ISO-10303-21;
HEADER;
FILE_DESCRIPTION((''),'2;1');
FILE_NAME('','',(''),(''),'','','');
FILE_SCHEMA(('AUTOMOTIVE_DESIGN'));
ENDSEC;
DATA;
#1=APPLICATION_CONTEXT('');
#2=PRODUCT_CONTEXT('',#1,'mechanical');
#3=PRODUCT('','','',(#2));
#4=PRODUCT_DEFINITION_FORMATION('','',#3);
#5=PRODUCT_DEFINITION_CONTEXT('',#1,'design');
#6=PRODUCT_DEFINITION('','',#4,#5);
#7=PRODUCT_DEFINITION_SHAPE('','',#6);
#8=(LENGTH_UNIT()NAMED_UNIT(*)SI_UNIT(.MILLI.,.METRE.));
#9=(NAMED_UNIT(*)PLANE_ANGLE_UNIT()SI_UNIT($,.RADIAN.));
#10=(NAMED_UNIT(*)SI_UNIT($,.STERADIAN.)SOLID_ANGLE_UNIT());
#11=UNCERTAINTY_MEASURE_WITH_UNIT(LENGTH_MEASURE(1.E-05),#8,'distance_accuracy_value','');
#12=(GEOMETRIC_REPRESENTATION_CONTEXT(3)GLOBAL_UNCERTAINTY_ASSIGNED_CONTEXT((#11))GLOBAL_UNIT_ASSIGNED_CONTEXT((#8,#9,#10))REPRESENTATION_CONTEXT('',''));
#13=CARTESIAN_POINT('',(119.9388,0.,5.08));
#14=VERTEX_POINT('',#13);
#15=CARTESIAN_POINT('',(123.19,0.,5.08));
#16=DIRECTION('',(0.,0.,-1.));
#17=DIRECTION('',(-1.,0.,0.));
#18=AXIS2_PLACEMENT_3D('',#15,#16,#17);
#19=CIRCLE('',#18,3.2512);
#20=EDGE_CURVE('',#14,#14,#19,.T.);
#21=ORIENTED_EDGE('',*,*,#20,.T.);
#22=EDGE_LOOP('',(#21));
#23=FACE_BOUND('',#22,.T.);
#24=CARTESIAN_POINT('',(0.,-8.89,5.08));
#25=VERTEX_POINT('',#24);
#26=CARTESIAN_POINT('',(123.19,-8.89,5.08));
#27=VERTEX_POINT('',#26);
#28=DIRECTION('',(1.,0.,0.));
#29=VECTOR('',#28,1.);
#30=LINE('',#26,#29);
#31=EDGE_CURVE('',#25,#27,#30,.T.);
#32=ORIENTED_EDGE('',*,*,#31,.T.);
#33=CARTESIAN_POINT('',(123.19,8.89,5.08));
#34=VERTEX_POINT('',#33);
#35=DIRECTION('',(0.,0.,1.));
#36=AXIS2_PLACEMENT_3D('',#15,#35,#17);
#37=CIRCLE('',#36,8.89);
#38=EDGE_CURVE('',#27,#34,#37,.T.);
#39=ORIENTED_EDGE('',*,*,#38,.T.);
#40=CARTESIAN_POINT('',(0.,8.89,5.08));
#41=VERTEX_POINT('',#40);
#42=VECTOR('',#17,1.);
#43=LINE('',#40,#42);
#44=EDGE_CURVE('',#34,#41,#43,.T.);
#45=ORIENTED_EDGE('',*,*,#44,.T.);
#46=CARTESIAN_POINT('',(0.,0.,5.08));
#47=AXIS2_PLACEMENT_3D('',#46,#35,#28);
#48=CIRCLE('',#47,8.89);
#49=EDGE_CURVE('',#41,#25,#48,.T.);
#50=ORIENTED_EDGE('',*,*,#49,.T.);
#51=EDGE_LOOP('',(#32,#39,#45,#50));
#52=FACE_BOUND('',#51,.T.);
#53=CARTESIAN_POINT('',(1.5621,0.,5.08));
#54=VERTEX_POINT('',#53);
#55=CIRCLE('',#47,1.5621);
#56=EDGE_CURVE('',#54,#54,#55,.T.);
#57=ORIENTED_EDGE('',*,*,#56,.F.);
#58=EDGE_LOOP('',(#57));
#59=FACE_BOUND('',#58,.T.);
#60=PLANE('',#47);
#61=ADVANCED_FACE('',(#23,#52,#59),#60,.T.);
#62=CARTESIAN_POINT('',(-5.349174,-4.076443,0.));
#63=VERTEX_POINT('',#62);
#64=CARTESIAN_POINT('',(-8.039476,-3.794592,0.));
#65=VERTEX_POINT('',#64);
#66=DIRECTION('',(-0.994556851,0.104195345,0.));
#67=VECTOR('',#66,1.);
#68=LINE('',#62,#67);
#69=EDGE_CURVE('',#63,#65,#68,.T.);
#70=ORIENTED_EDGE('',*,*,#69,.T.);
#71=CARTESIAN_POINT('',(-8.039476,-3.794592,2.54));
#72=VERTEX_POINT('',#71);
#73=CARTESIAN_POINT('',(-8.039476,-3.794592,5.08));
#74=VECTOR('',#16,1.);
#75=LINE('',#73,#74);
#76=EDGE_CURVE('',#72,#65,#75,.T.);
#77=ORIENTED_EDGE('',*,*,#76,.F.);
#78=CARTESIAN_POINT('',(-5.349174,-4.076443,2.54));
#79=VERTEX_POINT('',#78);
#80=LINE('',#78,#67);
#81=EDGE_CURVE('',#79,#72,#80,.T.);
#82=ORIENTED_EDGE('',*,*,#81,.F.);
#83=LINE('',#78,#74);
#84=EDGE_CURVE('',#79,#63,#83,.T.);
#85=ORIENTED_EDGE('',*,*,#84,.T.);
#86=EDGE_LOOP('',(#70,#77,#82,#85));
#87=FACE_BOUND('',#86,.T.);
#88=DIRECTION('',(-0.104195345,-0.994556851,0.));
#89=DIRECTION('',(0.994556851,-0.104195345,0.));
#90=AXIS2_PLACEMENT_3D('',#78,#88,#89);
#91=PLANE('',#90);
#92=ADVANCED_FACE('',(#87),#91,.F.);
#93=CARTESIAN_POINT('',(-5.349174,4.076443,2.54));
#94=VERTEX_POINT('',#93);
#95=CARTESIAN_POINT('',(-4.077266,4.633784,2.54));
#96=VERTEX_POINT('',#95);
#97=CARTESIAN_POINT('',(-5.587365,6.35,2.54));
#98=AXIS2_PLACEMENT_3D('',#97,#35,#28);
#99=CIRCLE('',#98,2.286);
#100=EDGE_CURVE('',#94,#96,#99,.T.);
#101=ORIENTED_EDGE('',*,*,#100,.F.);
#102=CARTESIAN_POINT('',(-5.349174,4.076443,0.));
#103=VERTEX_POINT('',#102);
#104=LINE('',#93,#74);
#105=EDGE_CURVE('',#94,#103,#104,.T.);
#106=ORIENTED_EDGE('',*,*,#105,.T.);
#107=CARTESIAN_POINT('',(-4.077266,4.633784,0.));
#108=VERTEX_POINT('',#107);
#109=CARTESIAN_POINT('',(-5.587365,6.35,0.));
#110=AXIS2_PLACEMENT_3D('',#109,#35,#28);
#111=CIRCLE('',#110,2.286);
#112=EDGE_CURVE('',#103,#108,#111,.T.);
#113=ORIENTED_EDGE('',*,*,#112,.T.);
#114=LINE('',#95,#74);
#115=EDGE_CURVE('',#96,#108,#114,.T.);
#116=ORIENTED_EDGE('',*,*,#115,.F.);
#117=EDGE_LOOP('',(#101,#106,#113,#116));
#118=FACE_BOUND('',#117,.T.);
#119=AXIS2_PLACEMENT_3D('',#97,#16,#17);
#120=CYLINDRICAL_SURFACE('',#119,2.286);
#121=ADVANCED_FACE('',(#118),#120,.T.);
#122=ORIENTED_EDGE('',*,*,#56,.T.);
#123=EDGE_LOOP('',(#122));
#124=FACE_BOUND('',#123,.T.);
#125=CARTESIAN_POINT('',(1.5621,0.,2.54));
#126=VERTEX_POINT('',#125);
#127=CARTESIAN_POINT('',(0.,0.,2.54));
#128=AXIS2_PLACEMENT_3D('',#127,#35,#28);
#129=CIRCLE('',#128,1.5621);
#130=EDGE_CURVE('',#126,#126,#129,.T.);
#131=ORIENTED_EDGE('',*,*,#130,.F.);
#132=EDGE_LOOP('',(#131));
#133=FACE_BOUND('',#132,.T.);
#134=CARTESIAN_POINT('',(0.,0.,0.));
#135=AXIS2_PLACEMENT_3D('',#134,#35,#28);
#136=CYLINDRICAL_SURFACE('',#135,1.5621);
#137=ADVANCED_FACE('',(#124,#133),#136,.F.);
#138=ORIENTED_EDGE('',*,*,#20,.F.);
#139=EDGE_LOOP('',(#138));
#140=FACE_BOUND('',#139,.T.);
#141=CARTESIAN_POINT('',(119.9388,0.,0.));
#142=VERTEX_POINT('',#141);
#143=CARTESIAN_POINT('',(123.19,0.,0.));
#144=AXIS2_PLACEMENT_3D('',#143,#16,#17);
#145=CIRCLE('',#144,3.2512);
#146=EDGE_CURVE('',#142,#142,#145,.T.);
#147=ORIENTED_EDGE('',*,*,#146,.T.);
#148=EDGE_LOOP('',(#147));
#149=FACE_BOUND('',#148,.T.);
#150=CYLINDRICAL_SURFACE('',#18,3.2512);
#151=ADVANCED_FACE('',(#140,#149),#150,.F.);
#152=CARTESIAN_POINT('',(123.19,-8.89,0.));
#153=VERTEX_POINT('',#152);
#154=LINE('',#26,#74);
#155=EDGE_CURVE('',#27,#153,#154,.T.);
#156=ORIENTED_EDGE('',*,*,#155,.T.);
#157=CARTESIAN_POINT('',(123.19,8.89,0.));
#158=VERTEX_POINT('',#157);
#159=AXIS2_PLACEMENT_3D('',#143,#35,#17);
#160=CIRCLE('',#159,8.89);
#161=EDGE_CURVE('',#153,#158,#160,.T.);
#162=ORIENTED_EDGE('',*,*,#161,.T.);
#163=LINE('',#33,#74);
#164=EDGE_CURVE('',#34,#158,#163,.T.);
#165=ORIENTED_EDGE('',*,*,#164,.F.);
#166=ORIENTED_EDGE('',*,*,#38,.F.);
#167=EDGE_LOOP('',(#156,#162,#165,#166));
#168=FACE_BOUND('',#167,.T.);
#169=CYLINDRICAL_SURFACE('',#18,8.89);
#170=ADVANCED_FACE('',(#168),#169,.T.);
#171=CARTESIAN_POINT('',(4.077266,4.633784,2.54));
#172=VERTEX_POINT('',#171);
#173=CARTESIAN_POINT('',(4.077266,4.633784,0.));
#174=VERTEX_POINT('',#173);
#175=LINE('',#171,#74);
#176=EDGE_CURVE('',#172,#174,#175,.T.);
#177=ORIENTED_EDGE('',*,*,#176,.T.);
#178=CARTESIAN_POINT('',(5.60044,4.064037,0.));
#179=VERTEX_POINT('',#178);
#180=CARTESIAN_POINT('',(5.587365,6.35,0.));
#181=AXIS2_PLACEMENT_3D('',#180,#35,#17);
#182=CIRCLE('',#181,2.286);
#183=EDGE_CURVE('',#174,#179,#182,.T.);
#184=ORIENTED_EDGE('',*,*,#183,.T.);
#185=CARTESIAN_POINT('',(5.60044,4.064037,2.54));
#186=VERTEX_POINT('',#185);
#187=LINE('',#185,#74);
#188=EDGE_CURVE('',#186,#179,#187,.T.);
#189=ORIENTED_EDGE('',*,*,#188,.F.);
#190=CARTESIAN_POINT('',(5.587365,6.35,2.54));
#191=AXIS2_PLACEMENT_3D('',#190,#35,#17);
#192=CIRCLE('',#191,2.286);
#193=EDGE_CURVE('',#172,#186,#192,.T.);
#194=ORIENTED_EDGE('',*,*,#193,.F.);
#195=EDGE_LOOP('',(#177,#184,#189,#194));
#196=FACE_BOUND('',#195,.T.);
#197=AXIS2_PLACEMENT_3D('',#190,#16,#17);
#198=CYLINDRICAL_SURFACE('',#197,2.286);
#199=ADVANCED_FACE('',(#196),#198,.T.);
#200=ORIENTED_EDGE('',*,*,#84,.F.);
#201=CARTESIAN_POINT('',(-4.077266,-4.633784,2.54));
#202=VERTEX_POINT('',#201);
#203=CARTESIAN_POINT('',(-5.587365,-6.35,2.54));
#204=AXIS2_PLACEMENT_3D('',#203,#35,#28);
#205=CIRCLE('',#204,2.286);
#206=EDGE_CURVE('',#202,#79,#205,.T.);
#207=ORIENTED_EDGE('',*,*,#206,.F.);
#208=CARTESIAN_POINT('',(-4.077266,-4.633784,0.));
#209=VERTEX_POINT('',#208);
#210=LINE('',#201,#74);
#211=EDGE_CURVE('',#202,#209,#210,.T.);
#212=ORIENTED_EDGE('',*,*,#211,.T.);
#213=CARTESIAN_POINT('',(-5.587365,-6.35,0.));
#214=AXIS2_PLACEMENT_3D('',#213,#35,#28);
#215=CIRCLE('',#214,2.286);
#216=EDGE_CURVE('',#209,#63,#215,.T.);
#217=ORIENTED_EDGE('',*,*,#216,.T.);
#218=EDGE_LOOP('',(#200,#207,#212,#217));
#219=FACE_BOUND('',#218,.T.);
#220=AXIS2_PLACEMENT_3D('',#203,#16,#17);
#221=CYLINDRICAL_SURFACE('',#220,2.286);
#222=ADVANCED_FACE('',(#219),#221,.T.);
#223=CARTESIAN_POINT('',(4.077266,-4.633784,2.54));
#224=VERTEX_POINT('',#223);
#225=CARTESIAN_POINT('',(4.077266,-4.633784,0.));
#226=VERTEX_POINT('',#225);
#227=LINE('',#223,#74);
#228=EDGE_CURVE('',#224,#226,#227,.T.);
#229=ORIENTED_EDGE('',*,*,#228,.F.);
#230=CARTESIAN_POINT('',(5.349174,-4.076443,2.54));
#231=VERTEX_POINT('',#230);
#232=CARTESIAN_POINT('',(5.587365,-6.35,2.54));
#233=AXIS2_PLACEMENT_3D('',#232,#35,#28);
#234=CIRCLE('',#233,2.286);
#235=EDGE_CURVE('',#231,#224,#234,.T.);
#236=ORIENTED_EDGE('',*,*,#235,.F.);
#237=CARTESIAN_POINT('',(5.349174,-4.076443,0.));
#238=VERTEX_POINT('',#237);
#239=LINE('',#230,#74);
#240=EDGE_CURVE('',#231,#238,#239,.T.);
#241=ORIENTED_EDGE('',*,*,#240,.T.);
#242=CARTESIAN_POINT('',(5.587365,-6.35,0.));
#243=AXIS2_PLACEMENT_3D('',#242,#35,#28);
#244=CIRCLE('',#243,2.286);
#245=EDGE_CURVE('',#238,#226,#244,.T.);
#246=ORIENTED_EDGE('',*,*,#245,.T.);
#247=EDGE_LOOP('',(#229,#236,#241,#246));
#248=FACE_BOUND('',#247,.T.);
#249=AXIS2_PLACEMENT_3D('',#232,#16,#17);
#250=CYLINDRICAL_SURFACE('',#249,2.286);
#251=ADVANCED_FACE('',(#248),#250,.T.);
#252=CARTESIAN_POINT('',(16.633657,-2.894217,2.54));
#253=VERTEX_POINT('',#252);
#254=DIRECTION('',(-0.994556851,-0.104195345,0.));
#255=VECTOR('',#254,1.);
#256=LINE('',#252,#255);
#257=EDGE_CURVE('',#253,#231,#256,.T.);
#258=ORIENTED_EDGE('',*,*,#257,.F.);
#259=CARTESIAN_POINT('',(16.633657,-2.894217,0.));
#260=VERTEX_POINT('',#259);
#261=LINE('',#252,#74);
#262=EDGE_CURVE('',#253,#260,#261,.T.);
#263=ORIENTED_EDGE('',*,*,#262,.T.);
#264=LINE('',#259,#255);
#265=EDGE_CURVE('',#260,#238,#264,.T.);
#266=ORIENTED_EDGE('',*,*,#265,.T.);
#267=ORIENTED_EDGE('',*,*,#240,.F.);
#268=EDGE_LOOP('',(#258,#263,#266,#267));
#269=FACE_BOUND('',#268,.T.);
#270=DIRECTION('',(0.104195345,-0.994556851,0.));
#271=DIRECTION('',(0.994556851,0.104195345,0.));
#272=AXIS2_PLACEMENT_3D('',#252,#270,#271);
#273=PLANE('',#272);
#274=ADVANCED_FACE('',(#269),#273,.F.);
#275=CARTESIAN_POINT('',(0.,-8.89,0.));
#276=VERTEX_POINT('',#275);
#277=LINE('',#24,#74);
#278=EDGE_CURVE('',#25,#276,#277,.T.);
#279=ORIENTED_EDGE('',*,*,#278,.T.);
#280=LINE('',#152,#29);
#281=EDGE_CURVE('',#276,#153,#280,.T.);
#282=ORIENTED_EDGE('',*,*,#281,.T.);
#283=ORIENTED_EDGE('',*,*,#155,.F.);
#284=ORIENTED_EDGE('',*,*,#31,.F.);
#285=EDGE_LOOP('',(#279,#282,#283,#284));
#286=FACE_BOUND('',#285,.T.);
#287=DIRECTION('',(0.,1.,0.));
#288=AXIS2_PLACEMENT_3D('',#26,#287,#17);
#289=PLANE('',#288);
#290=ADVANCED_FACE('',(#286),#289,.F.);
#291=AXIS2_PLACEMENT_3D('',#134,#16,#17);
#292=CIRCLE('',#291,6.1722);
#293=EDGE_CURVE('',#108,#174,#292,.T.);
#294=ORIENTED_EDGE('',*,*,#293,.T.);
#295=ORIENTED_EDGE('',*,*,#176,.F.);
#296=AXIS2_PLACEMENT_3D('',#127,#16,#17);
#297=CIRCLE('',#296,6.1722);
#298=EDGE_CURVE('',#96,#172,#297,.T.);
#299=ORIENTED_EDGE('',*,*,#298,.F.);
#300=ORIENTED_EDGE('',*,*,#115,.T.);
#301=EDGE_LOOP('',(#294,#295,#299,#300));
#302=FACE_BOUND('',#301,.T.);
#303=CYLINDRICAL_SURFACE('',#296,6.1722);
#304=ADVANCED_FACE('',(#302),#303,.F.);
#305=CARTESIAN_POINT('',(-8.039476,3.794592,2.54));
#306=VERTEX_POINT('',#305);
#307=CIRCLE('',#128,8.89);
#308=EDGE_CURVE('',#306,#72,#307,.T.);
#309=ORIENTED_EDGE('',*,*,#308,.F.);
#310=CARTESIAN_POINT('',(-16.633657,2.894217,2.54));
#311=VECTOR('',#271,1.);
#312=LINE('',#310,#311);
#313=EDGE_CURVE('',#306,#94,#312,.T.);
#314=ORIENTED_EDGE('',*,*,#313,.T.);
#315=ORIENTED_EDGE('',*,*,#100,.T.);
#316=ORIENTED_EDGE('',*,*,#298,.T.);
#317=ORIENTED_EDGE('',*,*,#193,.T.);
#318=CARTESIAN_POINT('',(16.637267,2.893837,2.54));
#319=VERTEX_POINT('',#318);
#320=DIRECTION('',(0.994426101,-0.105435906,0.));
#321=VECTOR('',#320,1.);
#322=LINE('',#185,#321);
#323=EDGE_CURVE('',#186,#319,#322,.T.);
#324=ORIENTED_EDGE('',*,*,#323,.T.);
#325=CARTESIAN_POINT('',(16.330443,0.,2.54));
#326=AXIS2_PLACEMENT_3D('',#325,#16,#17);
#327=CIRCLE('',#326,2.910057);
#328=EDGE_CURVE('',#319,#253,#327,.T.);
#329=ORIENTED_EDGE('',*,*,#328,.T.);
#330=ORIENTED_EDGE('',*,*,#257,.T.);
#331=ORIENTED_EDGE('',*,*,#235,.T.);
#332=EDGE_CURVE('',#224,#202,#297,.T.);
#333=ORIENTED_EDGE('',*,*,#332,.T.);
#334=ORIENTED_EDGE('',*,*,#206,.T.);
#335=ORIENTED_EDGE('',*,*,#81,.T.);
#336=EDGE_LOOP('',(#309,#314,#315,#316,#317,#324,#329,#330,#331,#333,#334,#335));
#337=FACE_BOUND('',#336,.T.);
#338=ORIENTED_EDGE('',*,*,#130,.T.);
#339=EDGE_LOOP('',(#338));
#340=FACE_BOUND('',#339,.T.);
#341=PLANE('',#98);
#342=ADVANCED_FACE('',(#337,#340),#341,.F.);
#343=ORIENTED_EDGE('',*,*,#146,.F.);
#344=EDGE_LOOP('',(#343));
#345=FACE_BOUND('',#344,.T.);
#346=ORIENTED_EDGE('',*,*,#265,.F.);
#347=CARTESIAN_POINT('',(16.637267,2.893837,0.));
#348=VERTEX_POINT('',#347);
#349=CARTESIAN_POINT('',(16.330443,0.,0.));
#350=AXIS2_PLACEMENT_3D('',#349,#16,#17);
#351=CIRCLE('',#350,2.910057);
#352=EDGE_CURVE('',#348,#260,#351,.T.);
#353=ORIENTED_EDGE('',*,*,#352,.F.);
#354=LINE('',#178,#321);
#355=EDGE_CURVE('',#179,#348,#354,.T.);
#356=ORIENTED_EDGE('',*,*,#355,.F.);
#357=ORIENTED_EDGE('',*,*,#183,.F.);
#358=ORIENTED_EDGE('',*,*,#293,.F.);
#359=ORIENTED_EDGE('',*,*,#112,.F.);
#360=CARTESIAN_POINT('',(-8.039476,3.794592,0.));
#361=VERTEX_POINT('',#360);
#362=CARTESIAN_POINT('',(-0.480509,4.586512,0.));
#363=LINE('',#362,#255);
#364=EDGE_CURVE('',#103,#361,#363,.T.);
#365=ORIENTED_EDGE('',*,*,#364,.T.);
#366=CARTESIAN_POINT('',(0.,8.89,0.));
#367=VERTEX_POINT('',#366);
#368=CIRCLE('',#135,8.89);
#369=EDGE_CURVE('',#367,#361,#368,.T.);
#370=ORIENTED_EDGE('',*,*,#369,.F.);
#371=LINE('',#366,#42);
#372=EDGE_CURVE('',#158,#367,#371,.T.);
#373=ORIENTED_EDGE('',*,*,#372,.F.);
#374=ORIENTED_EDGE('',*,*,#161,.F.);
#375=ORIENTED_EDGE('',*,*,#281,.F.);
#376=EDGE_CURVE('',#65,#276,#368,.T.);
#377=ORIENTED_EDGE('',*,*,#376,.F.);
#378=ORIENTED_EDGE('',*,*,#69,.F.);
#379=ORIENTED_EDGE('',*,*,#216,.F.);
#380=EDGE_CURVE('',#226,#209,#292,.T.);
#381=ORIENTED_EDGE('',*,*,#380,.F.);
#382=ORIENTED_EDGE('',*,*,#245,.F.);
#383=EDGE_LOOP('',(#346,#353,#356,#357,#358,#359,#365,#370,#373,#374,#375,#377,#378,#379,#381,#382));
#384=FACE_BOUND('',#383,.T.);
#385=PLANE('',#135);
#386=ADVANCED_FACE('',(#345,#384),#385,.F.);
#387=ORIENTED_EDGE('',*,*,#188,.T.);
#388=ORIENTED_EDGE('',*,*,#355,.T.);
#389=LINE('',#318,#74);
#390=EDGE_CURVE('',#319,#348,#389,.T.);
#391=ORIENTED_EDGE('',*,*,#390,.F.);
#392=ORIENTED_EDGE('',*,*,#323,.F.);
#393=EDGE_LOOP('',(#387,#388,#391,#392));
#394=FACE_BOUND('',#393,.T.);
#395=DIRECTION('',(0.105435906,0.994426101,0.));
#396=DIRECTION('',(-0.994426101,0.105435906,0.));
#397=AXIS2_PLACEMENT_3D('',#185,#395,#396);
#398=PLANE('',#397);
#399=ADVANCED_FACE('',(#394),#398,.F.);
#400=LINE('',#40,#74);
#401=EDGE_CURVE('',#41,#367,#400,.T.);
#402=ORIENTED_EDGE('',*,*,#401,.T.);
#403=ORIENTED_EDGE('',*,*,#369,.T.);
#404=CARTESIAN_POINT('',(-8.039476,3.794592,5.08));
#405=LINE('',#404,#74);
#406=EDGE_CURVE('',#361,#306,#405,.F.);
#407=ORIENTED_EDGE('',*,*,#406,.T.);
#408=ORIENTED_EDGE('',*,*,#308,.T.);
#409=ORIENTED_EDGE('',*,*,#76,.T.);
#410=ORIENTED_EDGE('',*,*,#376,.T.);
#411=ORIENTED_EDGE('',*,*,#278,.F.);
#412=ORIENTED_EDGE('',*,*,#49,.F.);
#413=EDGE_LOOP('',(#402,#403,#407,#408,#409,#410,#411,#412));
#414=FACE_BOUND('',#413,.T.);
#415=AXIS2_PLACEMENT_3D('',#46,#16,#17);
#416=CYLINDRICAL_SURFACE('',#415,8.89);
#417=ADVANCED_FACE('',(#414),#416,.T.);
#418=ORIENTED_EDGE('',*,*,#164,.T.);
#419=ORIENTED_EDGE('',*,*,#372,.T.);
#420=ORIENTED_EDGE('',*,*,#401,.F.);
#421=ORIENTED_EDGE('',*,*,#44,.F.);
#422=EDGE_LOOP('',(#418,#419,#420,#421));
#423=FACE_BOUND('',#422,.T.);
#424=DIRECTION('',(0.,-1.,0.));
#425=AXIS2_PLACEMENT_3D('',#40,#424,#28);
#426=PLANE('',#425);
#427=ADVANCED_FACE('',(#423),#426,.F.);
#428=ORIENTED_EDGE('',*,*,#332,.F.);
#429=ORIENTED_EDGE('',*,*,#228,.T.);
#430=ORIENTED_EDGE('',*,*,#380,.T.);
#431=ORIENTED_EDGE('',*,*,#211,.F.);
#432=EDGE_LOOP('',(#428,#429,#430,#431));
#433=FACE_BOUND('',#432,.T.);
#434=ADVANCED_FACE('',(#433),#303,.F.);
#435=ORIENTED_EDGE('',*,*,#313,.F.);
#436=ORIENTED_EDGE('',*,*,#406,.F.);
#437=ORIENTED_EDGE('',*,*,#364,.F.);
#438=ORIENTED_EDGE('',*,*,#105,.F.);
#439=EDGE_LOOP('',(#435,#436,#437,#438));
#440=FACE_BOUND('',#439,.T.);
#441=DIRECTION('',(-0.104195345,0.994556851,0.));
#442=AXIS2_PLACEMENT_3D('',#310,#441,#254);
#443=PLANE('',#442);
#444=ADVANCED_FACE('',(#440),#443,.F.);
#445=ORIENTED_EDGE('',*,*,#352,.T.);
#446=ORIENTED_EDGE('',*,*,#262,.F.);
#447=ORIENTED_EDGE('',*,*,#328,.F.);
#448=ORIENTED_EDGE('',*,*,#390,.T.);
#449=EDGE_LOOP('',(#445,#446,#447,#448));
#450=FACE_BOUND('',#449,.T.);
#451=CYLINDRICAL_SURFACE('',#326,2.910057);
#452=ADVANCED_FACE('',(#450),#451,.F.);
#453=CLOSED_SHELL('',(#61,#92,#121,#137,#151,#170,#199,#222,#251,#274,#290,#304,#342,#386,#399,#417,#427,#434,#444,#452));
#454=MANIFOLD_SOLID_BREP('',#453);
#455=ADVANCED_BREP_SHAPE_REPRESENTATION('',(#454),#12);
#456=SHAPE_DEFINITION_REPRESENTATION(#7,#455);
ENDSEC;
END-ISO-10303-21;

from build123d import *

# Parameters (mm, degrees)
BOSS_EXTRUDE1_DEPTH = 5.08
CUT_EXTRUDE1_DEPTH  = 2.54
SKETCH5_R           = 1.5621
CUT_EXTRUDE2_DEPTH  = 133.476280518
SKETCH2_R           = 3.2512
CUT_EXTRUDE3_DEPTH  = 133.476280518


with BuildPart() as part:
    # Sketch1 → Boss-Extrude1 (new body)
    with BuildSketch(Plane.XY):
        with BuildLine():
            Line((0, 8.89), (123.19, 8.89))
            ThreePointArc((123.19, 8.89), (132.08, 0), (123.19, -8.89))
            Line((123.19, -8.89), (0, -8.89))
            ThreePointArc((0, -8.89), (-8.89, 0), (0, 8.89))
        make_face()
    extrude(amount=BOSS_EXTRUDE1_DEPTH)

    # Sketch4 → Cut-Extrude1 (cut)
    with BuildSketch(Plane(origin=(0, 0, 0), x_dir=(-1, 0, 0), z_dir=(0, 0, -1))):
        with BuildLine():
            Line((-5.600440074, 4.064037393), (-16.637267213, 2.893836949))
            ThreePointArc((-16.637267213, 2.893836949), (-19.240499434, -0.001815049), (-16.63365711, -2.89421744))
            Line((-16.63365711, -2.89421744), (-5.349174405, -4.076443038))
            ThreePointArc((-5.349174405, -4.076443038), (-4.669876023, -4.256197229), (-4.077266325, -4.633783784))
            ThreePointArc((-4.077266325, -4.633783784), (0, -6.1722), (4.077266325, -4.633783784))
            ThreePointArc((4.077266325, -4.633783784), (4.669876023, -4.256197229), (5.349174405, -4.076443038))
            Line((5.349174405, -4.076443038), (16.63365711, -2.89421744))
            ThreePointArc((16.63365711, -2.89421744), (19.2405, 0), (16.63365711, 2.89421744))
            Line((16.63365711, 2.89421744), (5.349174405, 4.076443038))
            ThreePointArc((5.349174405, 4.076443038), (4.669876023, 4.256197229), (4.077266325, 4.633783784))
            ThreePointArc((4.077266325, 4.633783784), (0, 6.1722), (-4.077266325, 4.633783784))
            ThreePointArc((-4.077266325, 4.633783784), (-4.786476333, 4.20888501), (-5.600440074, 4.064037393))
        make_face()
    extrude(amount=-CUT_EXTRUDE1_DEPTH, mode=Mode.SUBTRACT)

    # Sketch5 → Cut-Extrude2 (cut, through all)
    with BuildSketch(Plane.XY.offset(5.08)):
        Circle(SKETCH5_R)
    extrude(amount=-CUT_EXTRUDE2_DEPTH, mode=Mode.SUBTRACT)

    # Sketch2 → Cut-Extrude3 (cut, through all)
    with BuildSketch(Plane(origin=(0, 0, 0), x_dir=(-1, 0, 0), z_dir=(0, 0, -1))):
        with Locations((-123.19, 0)):
            Circle(SKETCH2_R)
    extrude(amount=-CUT_EXTRUDE3_DEPTH, mode=Mode.SUBTRACT)


solid = part.part
